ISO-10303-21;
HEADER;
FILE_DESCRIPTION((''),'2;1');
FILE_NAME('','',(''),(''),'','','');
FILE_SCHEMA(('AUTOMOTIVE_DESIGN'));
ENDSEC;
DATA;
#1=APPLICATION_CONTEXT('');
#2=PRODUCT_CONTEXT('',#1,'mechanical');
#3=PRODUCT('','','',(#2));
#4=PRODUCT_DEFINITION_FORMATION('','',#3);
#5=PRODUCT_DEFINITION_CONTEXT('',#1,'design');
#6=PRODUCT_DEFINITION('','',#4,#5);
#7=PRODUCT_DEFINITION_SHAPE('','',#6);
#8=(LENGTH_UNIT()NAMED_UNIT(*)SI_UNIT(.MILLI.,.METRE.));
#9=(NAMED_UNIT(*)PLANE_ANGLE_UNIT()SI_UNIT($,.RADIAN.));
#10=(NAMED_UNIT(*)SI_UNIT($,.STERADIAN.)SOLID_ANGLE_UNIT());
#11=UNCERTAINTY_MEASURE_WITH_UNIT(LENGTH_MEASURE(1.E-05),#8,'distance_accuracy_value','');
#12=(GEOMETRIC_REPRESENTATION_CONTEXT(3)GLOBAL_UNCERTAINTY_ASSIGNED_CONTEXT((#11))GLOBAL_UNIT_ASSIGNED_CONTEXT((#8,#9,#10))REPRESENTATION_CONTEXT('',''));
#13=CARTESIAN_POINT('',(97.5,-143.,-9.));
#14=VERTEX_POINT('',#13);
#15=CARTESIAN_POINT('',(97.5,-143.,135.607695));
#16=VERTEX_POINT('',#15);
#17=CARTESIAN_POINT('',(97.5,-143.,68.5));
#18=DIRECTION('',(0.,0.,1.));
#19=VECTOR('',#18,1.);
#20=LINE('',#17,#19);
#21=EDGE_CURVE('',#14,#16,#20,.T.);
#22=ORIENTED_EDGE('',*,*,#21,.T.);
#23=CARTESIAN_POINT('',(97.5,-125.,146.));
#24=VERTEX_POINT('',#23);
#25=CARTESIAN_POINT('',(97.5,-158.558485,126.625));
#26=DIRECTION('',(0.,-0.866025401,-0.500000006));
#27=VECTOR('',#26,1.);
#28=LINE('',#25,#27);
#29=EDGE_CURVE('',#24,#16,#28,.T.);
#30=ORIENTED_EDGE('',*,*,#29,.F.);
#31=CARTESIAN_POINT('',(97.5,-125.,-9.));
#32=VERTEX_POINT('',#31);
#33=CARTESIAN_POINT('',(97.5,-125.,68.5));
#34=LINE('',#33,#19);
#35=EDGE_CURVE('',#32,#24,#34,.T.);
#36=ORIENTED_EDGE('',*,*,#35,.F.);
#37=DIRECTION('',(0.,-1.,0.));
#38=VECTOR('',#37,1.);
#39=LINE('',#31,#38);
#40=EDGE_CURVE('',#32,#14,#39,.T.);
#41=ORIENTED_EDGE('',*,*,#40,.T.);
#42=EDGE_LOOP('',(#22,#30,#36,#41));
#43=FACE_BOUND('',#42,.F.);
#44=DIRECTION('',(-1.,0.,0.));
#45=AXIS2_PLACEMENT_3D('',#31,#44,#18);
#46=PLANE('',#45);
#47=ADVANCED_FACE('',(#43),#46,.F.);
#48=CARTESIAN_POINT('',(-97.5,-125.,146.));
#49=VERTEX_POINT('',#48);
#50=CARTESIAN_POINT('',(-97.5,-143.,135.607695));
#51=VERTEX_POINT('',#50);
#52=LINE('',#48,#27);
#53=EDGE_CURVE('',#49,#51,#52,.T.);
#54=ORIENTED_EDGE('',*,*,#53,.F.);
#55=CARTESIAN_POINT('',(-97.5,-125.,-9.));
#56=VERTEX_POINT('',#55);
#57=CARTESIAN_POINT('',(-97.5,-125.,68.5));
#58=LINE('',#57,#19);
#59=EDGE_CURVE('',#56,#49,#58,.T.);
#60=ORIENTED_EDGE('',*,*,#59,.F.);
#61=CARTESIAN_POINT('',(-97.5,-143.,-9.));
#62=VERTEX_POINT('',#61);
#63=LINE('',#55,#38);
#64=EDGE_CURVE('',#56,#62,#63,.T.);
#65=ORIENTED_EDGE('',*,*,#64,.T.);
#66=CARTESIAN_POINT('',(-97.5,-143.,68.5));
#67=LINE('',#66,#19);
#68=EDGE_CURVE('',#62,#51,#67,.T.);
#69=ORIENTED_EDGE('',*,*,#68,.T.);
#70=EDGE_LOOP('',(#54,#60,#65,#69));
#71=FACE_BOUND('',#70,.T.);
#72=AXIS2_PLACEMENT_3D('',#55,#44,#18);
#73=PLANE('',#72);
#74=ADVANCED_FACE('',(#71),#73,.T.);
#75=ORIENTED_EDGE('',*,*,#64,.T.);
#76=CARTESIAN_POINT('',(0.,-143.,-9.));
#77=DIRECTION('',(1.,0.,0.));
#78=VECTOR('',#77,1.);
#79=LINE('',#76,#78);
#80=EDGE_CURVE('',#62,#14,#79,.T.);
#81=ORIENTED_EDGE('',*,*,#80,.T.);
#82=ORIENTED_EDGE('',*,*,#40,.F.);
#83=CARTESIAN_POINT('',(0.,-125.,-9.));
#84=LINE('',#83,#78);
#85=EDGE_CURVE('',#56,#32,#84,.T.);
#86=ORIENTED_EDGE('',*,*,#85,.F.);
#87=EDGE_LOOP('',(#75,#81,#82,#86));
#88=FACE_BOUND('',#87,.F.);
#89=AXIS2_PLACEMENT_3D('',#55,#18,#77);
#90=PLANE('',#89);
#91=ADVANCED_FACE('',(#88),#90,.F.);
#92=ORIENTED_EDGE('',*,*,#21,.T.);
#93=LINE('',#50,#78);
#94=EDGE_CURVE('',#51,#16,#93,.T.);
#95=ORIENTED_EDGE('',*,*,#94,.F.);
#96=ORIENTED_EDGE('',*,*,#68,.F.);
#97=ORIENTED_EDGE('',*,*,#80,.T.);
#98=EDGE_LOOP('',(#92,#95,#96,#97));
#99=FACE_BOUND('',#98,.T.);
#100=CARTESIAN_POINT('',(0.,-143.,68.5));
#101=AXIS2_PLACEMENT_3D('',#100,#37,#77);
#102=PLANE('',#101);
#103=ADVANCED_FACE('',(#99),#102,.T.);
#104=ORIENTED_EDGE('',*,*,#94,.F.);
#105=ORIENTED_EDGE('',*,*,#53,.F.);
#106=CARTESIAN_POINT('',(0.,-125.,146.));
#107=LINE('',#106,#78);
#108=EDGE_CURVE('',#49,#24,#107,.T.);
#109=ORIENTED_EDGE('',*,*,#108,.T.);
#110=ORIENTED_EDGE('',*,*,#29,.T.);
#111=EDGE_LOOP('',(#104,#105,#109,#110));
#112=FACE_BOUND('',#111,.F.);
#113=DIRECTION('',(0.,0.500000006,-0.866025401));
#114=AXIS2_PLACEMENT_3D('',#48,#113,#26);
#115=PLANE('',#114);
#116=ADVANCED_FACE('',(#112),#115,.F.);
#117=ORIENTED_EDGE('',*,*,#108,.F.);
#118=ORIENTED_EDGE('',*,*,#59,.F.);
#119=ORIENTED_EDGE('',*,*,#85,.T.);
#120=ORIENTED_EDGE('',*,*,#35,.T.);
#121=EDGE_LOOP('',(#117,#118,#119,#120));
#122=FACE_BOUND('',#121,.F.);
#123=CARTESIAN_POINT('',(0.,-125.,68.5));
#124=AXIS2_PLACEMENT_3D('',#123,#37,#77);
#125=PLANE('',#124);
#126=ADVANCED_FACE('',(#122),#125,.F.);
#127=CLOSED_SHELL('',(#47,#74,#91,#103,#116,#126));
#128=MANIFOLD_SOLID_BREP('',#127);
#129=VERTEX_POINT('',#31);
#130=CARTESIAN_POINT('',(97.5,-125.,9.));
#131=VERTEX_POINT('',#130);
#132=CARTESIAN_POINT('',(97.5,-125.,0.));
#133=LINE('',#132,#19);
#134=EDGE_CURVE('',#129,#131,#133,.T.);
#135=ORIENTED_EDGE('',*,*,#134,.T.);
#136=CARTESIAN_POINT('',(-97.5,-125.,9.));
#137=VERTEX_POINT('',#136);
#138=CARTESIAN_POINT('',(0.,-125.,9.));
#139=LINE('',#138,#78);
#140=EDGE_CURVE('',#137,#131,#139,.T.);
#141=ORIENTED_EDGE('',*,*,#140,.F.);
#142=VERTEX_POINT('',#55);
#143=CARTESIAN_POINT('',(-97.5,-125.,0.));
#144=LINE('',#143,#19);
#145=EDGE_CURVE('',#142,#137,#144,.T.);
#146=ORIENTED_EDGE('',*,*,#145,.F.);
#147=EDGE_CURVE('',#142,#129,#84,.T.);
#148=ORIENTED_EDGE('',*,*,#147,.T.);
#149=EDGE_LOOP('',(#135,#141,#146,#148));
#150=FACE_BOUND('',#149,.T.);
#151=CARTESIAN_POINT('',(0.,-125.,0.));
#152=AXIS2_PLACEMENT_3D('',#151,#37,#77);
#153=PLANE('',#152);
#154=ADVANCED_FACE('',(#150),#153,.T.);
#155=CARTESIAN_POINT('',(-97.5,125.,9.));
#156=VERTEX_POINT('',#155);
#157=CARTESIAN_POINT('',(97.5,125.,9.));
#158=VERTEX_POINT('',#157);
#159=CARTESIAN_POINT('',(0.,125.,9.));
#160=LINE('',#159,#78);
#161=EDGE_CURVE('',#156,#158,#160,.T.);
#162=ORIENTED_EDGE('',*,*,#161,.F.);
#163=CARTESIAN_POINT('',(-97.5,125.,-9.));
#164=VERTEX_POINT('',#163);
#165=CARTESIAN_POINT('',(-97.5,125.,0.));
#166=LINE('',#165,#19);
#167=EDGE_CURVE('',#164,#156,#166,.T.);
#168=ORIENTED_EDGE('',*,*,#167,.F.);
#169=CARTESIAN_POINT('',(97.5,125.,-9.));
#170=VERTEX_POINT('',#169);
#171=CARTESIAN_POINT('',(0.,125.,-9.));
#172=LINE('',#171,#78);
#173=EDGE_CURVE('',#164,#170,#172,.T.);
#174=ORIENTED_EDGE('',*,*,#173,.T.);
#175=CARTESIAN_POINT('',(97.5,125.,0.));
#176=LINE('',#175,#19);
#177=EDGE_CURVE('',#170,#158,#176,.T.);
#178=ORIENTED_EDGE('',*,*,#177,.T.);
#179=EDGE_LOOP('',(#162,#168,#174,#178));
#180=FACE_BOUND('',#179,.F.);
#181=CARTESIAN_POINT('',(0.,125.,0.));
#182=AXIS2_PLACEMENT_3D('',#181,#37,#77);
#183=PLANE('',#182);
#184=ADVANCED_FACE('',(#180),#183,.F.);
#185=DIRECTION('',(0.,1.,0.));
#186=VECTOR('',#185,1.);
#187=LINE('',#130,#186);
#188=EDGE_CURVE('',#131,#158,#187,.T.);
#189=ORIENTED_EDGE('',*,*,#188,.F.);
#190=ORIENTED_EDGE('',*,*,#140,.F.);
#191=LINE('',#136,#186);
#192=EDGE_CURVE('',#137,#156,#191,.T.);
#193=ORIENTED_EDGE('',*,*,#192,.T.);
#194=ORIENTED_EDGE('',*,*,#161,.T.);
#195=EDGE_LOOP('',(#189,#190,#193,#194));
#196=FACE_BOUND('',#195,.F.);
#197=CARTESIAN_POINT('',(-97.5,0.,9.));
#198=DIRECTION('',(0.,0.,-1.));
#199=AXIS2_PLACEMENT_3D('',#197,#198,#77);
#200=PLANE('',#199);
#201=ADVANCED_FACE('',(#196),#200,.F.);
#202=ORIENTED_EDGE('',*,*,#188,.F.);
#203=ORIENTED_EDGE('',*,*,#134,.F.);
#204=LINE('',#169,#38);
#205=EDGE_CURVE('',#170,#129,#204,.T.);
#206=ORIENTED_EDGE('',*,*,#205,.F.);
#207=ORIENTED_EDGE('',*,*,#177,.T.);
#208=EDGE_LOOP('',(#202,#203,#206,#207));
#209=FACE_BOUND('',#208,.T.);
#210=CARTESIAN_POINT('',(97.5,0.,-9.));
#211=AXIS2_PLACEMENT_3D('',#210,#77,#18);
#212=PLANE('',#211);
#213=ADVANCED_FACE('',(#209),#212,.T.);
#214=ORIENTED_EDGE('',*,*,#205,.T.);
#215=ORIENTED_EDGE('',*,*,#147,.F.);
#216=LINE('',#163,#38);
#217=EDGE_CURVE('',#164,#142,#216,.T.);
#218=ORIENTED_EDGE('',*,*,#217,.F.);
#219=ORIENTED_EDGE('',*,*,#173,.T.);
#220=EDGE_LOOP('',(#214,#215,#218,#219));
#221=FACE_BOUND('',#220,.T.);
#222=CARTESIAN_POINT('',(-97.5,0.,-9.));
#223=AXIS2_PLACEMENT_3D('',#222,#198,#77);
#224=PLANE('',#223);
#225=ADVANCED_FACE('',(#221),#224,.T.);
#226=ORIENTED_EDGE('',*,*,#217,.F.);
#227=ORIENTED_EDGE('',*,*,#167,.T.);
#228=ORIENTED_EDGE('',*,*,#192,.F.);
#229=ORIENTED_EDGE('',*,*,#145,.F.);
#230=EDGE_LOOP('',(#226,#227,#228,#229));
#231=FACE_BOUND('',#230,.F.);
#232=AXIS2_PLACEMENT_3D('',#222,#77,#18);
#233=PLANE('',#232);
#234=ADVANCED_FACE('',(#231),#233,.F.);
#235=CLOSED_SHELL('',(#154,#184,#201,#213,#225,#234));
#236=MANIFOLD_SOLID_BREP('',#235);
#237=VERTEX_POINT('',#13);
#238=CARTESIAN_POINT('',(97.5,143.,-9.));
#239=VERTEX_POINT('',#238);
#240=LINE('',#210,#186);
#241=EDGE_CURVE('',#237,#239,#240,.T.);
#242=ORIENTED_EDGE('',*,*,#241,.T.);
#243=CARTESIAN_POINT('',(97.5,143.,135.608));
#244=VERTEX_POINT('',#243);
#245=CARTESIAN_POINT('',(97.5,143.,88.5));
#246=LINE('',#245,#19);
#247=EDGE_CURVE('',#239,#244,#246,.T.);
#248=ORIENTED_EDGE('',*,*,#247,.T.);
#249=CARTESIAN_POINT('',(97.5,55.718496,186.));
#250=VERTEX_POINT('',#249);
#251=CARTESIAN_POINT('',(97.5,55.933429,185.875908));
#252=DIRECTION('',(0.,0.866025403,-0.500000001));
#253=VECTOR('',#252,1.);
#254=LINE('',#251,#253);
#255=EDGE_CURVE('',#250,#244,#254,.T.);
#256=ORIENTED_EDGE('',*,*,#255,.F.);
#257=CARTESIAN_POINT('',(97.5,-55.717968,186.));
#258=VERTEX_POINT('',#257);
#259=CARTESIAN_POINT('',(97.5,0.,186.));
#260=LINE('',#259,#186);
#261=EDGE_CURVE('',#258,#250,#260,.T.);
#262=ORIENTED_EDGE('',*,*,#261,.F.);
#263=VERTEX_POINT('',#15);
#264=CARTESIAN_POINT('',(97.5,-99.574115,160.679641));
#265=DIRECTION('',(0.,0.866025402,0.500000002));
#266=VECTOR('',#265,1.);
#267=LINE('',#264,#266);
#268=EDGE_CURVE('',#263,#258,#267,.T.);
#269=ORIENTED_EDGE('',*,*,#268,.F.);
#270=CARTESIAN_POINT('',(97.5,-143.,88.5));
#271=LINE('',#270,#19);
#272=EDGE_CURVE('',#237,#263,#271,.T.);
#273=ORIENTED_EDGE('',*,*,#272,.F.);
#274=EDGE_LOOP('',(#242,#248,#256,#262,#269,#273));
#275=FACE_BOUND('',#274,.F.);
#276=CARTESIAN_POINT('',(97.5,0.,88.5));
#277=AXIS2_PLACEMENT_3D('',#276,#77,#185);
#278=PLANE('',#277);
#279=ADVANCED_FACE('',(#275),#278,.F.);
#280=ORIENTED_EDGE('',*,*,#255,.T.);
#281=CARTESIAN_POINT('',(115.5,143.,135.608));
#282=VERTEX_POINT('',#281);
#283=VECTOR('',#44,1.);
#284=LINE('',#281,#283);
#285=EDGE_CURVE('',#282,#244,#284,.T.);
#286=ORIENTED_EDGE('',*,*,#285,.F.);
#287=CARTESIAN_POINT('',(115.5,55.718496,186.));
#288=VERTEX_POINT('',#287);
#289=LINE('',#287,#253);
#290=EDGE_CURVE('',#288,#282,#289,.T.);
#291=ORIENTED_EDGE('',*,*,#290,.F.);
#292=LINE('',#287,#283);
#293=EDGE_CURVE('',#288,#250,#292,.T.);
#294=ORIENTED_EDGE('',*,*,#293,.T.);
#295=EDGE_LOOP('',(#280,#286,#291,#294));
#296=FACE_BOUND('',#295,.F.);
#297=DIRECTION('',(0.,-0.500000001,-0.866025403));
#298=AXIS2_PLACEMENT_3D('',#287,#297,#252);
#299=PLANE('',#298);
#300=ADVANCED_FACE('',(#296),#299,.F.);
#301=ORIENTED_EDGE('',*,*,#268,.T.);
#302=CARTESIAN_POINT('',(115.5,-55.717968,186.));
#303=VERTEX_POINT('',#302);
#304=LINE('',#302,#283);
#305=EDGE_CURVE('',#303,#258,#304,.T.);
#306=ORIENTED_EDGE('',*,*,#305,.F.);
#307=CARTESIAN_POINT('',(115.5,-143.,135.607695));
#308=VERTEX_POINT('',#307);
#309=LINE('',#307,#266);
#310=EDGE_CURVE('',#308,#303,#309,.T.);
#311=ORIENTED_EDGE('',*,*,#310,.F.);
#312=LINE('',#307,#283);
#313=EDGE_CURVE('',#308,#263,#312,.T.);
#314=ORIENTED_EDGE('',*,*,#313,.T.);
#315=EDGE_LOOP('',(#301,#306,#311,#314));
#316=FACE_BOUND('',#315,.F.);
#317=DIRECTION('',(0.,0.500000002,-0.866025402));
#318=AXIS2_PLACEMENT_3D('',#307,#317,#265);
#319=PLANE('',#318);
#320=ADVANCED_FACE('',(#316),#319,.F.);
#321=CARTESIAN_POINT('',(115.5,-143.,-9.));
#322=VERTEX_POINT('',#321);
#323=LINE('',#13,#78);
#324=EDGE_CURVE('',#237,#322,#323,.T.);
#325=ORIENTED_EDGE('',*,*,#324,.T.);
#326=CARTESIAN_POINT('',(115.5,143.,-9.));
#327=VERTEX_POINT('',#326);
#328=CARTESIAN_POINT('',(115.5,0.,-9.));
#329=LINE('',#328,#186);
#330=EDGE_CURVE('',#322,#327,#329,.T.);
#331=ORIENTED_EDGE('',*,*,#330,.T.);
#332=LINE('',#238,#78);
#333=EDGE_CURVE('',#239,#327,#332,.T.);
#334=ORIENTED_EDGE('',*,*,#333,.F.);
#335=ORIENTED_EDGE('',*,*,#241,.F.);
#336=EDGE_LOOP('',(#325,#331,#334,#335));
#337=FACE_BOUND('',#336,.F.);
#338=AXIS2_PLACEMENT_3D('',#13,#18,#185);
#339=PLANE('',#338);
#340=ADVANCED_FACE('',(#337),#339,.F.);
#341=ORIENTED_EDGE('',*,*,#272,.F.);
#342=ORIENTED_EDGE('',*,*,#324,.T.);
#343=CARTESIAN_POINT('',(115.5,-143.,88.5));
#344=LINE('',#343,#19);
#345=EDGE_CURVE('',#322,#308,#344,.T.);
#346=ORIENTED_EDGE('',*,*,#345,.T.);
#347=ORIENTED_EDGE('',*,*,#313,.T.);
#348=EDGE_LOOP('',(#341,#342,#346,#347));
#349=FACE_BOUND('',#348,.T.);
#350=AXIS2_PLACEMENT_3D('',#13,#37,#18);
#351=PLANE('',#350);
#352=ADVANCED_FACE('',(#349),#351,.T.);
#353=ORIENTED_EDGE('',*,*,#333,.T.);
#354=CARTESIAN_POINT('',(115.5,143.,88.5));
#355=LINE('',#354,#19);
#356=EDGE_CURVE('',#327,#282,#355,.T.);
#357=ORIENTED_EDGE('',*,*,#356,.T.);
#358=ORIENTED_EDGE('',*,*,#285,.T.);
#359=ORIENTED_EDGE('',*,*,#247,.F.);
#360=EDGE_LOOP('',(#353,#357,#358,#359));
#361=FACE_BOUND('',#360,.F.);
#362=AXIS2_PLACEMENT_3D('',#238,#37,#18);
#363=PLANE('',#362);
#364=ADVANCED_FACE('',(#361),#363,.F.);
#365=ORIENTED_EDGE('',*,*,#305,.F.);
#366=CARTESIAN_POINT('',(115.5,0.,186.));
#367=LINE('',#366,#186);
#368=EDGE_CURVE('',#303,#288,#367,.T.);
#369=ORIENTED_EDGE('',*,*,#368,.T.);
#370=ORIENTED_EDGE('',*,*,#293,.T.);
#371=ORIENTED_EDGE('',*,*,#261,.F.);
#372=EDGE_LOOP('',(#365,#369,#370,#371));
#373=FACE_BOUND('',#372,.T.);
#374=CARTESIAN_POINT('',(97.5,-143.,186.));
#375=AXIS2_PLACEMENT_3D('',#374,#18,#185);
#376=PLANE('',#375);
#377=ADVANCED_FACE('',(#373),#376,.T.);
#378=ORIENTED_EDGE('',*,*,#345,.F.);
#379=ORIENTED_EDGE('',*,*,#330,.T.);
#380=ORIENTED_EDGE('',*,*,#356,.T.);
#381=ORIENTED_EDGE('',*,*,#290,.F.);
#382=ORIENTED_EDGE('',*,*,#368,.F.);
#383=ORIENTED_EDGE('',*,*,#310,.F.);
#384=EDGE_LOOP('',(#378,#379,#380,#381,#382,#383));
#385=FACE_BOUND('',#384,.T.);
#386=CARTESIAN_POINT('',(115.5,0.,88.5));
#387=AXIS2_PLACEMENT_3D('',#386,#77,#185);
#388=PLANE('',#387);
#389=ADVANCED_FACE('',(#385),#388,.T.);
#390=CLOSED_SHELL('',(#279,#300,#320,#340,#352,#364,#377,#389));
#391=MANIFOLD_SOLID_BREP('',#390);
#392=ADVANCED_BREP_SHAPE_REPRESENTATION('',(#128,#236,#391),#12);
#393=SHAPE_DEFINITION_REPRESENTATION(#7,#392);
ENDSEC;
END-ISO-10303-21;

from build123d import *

# Parameters (mm, degrees)
F0_W      = 195
F0_H      = 18
F1_DEPTH  = 125
F3_W      = 195
F3_H      = 155
F4_DEPTH  = 18
F7_DEPTH  = 195.001
F8_W      = 286
F8_H      = 195
F9_DEPTH  = 18
F11_DEPTH = 213.001


with BuildPart() as f1:
    # F0 (on Front) → F1 (new body, symmetric)
    with BuildSketch(Plane.XZ):
        Rectangle(F0_W, F0_H)
    extrude(amount=F1_DEPTH, both=True)


with BuildPart() as f4:
    # F3 (on offset) → F4 (new body)
    with BuildSketch(Plane.XZ.offset(125)):
        with Locations((0, 68.5)):
            Rectangle(F3_W, F3_H)
    extrude(amount=F4_DEPTH)

    # F6 (on face) → F7 (cut, through all)
    with BuildSketch(Plane(origin=(-97.5, 0, 0), x_dir=(0, -1, 0), z_dir=(-1, 0, 0))):
        Polygon((143, 146), (125, 146), (143, 135.607695), align=None)
    extrude(amount=-F7_DEPTH, mode=Mode.SUBTRACT)


with BuildPart() as f9:
    # F8 (on offset) → F9 (new body)
    with BuildSketch(Plane.YZ.offset(97.5)):
        with Locations((0, 88.5)):
            Rectangle(F8_W, F8_H)
    extrude(amount=F9_DEPTH)

    # F10 (on face) → F11 (cut, through all)
    with BuildSketch(Plane.YZ.offset(115.5)):
        Polygon((-143, 186), (-143, 135.607695), (-55.717968, 186), align=None)
        Polygon((55.718496, 186), (143, 135.608), (143, 186), align=None)
    extrude(amount=-F11_DEPTH, mode=Mode.SUBTRACT)


solid = Compound([f1.part, f4.part, f9.part])
